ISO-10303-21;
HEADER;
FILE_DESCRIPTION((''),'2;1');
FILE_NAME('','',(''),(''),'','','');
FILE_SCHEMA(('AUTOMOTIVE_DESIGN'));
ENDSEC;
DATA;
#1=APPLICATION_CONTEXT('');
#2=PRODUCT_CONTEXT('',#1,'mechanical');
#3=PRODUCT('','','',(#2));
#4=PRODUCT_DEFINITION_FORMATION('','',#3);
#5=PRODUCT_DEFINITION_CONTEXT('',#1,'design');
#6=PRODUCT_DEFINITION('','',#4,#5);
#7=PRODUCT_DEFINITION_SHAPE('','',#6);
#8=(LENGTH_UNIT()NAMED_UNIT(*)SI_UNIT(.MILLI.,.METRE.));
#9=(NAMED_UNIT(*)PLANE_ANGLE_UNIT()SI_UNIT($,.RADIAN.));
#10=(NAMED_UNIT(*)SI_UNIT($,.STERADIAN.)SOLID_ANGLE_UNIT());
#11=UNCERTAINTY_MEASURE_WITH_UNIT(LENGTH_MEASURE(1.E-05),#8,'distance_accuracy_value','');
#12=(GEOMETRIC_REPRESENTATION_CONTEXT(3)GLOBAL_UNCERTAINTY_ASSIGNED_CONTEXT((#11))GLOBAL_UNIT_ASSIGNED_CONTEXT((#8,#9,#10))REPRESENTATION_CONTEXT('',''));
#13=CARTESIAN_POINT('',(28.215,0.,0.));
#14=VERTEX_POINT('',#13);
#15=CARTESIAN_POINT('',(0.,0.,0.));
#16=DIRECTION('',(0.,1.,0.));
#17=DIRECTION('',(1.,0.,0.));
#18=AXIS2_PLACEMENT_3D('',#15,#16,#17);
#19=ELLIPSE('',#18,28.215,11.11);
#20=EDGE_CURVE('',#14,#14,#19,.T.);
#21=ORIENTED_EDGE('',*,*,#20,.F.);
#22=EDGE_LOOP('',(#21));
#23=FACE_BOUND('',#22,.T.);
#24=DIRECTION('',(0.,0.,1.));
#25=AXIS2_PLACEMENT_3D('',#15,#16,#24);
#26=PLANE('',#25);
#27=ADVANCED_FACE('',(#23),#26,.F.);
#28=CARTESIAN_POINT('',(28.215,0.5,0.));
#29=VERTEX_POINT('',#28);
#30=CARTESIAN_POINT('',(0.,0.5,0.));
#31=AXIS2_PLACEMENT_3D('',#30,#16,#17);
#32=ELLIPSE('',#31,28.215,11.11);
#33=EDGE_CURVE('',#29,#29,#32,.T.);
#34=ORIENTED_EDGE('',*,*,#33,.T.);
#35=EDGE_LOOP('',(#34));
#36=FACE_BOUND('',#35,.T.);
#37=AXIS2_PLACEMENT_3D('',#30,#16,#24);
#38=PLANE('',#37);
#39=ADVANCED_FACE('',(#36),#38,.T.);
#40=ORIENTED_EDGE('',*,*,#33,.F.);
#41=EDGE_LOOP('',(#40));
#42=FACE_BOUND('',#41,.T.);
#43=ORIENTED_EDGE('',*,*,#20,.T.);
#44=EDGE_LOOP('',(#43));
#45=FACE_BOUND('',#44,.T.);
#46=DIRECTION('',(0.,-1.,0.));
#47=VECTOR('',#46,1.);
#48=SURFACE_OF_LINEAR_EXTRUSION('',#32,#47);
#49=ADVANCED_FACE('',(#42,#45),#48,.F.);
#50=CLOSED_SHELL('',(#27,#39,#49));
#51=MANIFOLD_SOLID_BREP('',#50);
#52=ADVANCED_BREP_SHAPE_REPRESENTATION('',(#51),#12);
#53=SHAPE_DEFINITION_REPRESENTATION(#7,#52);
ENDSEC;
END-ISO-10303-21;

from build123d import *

# Parameters (mm, degrees)
SKETCH1_RX          = 28.215
SKETCH1_RY          = 11.11
BOSS_EXTRUDE1_DEPTH = 0.5


with BuildPart() as part:
    # Sketch1 → Boss-Extrude1 (new body)
    with BuildSketch(Plane(origin=(0, 0, 0), x_dir=(1, 0, 0), z_dir=(0, 1, 0))):
        with Locations(Location((0, 0), (0, 0, 0))):
            Ellipse(SKETCH1_RX, SKETCH1_RY)
    extrude(amount=BOSS_EXTRUDE1_DEPTH)


solid = part.part
